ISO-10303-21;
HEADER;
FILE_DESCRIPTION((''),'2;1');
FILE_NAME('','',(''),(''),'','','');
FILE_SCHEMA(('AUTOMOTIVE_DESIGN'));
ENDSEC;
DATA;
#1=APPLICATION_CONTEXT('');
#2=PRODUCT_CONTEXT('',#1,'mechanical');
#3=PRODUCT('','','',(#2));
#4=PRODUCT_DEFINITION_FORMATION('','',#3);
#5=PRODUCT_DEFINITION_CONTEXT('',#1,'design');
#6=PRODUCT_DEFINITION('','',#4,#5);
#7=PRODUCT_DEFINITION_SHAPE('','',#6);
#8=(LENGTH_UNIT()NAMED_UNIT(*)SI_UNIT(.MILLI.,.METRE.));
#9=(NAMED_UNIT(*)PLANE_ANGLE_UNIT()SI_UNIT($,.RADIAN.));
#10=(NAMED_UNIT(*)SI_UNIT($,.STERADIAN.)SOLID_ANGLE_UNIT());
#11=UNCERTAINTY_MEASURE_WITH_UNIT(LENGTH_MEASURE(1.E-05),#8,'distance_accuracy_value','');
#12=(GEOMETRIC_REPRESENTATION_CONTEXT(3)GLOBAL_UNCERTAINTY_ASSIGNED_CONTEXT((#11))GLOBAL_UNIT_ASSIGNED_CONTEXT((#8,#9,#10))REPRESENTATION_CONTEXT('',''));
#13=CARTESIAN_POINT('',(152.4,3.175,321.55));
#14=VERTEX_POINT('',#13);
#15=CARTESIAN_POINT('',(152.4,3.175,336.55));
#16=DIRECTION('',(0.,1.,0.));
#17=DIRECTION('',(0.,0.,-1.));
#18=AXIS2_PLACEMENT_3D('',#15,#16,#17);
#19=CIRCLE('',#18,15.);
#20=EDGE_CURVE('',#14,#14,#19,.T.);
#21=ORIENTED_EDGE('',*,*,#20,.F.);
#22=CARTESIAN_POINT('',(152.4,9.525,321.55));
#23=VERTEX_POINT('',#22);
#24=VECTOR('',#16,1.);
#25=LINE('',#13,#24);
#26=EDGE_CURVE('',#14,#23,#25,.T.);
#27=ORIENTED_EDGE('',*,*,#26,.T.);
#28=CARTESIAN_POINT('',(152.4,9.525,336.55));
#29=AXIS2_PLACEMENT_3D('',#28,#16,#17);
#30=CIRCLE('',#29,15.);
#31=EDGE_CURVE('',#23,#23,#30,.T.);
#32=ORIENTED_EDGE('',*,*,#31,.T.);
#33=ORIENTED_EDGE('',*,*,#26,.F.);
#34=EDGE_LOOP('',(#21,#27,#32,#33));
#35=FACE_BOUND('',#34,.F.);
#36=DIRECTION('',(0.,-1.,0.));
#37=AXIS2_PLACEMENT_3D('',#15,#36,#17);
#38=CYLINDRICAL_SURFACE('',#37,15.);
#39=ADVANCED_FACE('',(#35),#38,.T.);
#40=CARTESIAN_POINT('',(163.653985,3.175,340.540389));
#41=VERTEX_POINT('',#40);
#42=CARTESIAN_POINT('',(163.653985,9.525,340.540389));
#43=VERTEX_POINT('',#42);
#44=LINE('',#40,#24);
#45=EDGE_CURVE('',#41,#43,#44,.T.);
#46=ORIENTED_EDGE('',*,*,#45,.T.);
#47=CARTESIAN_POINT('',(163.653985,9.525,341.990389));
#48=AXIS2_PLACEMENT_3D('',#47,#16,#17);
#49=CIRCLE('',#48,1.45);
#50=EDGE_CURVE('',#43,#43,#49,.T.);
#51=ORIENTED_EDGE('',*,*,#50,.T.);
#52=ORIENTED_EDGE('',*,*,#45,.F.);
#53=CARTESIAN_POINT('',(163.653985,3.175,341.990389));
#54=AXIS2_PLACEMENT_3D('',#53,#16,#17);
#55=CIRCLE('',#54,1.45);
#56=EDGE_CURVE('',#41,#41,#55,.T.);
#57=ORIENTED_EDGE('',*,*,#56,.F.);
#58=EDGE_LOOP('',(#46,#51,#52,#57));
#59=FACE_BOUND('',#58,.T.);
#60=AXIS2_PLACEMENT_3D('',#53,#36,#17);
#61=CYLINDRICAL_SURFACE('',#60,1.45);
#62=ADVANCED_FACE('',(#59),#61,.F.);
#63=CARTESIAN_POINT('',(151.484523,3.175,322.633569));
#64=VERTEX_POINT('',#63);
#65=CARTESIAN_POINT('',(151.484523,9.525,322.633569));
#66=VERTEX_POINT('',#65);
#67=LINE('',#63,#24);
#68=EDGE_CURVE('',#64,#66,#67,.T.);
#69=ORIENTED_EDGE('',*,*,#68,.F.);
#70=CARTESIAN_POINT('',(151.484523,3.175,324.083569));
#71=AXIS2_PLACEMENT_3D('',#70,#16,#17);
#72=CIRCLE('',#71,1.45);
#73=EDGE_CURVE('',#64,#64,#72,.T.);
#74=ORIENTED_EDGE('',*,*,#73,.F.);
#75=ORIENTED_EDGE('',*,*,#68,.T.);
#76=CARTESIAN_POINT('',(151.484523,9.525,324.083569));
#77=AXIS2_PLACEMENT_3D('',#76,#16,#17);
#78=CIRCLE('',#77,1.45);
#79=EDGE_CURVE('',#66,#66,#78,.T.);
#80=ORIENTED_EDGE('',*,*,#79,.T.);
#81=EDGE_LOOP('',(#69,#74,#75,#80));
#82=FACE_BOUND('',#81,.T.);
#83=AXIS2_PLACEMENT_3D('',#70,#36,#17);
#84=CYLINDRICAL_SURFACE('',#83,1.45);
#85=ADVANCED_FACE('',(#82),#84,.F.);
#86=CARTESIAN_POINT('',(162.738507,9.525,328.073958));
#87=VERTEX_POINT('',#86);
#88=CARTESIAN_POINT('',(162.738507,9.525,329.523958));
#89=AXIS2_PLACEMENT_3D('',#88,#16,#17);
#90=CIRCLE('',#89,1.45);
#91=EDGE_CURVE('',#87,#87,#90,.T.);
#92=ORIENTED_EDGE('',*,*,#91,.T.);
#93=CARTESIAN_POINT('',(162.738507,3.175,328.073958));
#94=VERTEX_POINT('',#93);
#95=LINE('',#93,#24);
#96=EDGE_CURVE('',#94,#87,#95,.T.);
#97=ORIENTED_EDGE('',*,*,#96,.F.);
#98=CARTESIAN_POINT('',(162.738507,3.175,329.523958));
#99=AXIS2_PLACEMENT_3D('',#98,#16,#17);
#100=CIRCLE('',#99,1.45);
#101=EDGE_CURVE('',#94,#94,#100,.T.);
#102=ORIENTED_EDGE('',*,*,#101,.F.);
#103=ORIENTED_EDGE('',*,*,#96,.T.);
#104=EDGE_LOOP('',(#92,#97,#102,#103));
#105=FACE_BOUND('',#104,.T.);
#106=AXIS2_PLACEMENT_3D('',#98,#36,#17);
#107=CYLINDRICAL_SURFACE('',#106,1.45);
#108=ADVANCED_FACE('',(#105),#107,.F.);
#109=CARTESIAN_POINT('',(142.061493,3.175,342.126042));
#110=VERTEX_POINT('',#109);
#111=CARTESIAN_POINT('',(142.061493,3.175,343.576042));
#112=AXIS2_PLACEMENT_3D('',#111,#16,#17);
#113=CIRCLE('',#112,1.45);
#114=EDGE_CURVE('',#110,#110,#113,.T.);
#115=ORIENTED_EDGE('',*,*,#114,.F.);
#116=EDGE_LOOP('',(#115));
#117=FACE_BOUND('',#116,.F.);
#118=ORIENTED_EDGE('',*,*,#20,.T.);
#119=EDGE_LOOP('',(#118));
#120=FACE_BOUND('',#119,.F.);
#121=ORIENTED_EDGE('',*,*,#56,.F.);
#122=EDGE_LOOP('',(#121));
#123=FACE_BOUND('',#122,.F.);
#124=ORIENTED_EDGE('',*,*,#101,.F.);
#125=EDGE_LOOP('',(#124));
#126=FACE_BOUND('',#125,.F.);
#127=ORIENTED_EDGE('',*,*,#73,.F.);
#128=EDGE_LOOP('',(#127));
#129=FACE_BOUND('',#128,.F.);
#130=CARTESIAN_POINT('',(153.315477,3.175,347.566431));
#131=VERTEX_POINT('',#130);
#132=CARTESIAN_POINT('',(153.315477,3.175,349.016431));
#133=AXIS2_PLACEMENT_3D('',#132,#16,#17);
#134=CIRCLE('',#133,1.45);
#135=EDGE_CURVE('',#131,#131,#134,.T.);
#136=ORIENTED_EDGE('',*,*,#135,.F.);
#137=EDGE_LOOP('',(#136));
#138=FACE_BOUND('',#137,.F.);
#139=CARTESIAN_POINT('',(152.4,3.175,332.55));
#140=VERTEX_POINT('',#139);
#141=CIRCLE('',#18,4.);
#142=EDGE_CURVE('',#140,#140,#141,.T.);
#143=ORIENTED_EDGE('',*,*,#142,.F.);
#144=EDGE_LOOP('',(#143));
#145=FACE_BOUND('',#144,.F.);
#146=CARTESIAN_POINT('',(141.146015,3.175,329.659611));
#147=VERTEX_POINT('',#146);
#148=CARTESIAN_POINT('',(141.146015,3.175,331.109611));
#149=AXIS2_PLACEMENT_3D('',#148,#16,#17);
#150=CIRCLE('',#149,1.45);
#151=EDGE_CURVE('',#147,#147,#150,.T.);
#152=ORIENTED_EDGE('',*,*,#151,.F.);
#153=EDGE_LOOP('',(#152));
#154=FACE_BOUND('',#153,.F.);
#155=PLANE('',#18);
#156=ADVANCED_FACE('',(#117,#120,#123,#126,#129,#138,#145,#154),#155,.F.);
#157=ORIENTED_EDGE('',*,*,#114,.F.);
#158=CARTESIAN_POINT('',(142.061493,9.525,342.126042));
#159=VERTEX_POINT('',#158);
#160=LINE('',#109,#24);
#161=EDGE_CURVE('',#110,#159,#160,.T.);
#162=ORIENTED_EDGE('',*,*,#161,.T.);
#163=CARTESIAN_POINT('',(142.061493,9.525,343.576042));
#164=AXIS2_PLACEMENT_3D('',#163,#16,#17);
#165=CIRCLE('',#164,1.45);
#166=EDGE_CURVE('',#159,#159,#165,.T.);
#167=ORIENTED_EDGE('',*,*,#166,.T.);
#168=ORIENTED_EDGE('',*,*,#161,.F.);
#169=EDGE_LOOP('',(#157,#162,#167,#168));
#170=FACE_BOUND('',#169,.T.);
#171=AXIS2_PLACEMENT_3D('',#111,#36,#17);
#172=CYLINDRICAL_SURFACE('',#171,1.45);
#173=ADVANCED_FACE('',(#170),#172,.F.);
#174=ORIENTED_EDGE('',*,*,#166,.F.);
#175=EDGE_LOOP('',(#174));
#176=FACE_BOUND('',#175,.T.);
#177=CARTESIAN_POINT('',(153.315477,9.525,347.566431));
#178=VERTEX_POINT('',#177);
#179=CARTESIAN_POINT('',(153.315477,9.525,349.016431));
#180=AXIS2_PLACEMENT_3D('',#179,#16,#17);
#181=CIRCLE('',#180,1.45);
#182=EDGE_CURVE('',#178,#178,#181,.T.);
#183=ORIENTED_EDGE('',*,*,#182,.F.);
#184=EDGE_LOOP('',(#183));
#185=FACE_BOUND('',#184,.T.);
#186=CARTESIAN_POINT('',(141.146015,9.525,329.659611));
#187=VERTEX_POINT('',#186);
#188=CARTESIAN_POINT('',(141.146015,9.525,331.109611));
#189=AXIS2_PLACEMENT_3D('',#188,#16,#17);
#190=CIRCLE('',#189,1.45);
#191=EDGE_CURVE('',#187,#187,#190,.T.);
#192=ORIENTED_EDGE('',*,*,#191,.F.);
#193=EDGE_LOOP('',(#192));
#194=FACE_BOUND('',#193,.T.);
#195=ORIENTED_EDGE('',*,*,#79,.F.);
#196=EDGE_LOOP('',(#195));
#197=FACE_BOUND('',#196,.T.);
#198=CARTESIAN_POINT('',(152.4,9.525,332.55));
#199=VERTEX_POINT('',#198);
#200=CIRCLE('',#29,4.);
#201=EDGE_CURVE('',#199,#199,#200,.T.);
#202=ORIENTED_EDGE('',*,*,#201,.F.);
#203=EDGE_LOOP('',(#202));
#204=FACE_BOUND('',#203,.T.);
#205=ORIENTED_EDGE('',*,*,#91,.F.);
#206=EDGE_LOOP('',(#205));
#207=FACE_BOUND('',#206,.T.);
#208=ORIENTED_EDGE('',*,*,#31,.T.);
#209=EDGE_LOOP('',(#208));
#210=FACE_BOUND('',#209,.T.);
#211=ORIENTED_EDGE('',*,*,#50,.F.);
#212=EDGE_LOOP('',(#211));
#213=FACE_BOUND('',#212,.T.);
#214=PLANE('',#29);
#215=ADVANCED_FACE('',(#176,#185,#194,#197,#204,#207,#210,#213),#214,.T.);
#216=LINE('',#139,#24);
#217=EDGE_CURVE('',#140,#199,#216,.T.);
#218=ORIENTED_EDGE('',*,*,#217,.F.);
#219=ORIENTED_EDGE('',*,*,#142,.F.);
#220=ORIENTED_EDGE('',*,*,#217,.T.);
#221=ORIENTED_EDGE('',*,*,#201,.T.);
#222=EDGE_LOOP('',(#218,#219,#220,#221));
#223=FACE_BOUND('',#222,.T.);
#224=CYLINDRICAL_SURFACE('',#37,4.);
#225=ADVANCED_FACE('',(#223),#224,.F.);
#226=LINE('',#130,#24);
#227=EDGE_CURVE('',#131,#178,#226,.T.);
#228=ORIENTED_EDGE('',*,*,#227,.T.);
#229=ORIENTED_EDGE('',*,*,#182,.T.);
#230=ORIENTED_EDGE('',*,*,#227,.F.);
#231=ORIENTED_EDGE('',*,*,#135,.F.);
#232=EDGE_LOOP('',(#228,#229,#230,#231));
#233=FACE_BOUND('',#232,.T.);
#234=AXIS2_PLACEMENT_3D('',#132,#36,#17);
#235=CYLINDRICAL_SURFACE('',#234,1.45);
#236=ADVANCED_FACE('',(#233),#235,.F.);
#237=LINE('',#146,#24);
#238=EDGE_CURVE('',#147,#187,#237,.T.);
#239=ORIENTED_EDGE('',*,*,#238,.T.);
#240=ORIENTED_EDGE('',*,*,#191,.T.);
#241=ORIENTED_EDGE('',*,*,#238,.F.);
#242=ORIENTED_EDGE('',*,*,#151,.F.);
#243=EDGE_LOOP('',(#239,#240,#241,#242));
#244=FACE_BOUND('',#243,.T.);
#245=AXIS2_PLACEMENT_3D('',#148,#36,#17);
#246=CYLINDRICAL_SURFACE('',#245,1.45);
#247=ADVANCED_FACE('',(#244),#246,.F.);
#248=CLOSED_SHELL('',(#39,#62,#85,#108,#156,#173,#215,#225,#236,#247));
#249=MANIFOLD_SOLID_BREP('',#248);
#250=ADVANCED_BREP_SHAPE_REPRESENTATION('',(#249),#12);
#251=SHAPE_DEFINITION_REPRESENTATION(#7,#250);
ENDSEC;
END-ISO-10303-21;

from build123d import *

# Parameters (mm, degrees)
DISCO_START    = 3.175
CROQUIS1_R     = 15
DISCO_DEPTH    = 6.35
BARRENOS_START = 3.175
CROQUIS2_R     = 1.45
CROQUIS2_R_2   = 4
BARRENOS_DEPTH = 6.35


with BuildPart() as part:
    # Croquis1 → Disco (new body)
    with BuildSketch(Plane(origin=(0, 0, 0), x_dir=(1, 0, 0), z_dir=(0, 1, 0)).offset(DISCO_START)):
        with Locations(Location((152.4, -336.55, 0), (0, 0, 90))):
            Circle(CROQUIS1_R)
    extrude(amount=DISCO_DEPTH)

    # Croquis2 → Barrenos (cut)
    with BuildSketch(Plane(origin=(0, 0, 0), x_dir=(1, 0, 0), z_dir=(0, 1, 0)).offset(BARRENOS_START)):
        with Locations(Location((163.653984643, -341.990388742, 0), (0, 0, 90))):
            Circle(CROQUIS2_R)
        with Locations(Location((153.315477464, -349.016430965, 0), (0, 0, 90))):
            Circle(CROQUIS2_R)
        with Locations(Location((142.061492822, -343.576042223, 0), (0, 0, 90))):
            Circle(CROQUIS2_R)
        with Locations(Location((141.146015357, -331.109611258, 0), (0, 0, 90))):
            Circle(CROQUIS2_R)
        with Locations(Location((151.484522536, -324.083569035, 0), (0, 0, 90))):
            Circle(CROQUIS2_R)
        with Locations(Location((162.738507178, -329.523957777, 0), (0, 0, 90))):
            Circle(CROQUIS2_R)
        with Locations(Location((152.4, -336.55, 0), (0, 0, 90))):
            Circle(CROQUIS2_R_2)
    extrude(amount=BARRENOS_DEPTH, mode=Mode.SUBTRACT)


solid = part.part
